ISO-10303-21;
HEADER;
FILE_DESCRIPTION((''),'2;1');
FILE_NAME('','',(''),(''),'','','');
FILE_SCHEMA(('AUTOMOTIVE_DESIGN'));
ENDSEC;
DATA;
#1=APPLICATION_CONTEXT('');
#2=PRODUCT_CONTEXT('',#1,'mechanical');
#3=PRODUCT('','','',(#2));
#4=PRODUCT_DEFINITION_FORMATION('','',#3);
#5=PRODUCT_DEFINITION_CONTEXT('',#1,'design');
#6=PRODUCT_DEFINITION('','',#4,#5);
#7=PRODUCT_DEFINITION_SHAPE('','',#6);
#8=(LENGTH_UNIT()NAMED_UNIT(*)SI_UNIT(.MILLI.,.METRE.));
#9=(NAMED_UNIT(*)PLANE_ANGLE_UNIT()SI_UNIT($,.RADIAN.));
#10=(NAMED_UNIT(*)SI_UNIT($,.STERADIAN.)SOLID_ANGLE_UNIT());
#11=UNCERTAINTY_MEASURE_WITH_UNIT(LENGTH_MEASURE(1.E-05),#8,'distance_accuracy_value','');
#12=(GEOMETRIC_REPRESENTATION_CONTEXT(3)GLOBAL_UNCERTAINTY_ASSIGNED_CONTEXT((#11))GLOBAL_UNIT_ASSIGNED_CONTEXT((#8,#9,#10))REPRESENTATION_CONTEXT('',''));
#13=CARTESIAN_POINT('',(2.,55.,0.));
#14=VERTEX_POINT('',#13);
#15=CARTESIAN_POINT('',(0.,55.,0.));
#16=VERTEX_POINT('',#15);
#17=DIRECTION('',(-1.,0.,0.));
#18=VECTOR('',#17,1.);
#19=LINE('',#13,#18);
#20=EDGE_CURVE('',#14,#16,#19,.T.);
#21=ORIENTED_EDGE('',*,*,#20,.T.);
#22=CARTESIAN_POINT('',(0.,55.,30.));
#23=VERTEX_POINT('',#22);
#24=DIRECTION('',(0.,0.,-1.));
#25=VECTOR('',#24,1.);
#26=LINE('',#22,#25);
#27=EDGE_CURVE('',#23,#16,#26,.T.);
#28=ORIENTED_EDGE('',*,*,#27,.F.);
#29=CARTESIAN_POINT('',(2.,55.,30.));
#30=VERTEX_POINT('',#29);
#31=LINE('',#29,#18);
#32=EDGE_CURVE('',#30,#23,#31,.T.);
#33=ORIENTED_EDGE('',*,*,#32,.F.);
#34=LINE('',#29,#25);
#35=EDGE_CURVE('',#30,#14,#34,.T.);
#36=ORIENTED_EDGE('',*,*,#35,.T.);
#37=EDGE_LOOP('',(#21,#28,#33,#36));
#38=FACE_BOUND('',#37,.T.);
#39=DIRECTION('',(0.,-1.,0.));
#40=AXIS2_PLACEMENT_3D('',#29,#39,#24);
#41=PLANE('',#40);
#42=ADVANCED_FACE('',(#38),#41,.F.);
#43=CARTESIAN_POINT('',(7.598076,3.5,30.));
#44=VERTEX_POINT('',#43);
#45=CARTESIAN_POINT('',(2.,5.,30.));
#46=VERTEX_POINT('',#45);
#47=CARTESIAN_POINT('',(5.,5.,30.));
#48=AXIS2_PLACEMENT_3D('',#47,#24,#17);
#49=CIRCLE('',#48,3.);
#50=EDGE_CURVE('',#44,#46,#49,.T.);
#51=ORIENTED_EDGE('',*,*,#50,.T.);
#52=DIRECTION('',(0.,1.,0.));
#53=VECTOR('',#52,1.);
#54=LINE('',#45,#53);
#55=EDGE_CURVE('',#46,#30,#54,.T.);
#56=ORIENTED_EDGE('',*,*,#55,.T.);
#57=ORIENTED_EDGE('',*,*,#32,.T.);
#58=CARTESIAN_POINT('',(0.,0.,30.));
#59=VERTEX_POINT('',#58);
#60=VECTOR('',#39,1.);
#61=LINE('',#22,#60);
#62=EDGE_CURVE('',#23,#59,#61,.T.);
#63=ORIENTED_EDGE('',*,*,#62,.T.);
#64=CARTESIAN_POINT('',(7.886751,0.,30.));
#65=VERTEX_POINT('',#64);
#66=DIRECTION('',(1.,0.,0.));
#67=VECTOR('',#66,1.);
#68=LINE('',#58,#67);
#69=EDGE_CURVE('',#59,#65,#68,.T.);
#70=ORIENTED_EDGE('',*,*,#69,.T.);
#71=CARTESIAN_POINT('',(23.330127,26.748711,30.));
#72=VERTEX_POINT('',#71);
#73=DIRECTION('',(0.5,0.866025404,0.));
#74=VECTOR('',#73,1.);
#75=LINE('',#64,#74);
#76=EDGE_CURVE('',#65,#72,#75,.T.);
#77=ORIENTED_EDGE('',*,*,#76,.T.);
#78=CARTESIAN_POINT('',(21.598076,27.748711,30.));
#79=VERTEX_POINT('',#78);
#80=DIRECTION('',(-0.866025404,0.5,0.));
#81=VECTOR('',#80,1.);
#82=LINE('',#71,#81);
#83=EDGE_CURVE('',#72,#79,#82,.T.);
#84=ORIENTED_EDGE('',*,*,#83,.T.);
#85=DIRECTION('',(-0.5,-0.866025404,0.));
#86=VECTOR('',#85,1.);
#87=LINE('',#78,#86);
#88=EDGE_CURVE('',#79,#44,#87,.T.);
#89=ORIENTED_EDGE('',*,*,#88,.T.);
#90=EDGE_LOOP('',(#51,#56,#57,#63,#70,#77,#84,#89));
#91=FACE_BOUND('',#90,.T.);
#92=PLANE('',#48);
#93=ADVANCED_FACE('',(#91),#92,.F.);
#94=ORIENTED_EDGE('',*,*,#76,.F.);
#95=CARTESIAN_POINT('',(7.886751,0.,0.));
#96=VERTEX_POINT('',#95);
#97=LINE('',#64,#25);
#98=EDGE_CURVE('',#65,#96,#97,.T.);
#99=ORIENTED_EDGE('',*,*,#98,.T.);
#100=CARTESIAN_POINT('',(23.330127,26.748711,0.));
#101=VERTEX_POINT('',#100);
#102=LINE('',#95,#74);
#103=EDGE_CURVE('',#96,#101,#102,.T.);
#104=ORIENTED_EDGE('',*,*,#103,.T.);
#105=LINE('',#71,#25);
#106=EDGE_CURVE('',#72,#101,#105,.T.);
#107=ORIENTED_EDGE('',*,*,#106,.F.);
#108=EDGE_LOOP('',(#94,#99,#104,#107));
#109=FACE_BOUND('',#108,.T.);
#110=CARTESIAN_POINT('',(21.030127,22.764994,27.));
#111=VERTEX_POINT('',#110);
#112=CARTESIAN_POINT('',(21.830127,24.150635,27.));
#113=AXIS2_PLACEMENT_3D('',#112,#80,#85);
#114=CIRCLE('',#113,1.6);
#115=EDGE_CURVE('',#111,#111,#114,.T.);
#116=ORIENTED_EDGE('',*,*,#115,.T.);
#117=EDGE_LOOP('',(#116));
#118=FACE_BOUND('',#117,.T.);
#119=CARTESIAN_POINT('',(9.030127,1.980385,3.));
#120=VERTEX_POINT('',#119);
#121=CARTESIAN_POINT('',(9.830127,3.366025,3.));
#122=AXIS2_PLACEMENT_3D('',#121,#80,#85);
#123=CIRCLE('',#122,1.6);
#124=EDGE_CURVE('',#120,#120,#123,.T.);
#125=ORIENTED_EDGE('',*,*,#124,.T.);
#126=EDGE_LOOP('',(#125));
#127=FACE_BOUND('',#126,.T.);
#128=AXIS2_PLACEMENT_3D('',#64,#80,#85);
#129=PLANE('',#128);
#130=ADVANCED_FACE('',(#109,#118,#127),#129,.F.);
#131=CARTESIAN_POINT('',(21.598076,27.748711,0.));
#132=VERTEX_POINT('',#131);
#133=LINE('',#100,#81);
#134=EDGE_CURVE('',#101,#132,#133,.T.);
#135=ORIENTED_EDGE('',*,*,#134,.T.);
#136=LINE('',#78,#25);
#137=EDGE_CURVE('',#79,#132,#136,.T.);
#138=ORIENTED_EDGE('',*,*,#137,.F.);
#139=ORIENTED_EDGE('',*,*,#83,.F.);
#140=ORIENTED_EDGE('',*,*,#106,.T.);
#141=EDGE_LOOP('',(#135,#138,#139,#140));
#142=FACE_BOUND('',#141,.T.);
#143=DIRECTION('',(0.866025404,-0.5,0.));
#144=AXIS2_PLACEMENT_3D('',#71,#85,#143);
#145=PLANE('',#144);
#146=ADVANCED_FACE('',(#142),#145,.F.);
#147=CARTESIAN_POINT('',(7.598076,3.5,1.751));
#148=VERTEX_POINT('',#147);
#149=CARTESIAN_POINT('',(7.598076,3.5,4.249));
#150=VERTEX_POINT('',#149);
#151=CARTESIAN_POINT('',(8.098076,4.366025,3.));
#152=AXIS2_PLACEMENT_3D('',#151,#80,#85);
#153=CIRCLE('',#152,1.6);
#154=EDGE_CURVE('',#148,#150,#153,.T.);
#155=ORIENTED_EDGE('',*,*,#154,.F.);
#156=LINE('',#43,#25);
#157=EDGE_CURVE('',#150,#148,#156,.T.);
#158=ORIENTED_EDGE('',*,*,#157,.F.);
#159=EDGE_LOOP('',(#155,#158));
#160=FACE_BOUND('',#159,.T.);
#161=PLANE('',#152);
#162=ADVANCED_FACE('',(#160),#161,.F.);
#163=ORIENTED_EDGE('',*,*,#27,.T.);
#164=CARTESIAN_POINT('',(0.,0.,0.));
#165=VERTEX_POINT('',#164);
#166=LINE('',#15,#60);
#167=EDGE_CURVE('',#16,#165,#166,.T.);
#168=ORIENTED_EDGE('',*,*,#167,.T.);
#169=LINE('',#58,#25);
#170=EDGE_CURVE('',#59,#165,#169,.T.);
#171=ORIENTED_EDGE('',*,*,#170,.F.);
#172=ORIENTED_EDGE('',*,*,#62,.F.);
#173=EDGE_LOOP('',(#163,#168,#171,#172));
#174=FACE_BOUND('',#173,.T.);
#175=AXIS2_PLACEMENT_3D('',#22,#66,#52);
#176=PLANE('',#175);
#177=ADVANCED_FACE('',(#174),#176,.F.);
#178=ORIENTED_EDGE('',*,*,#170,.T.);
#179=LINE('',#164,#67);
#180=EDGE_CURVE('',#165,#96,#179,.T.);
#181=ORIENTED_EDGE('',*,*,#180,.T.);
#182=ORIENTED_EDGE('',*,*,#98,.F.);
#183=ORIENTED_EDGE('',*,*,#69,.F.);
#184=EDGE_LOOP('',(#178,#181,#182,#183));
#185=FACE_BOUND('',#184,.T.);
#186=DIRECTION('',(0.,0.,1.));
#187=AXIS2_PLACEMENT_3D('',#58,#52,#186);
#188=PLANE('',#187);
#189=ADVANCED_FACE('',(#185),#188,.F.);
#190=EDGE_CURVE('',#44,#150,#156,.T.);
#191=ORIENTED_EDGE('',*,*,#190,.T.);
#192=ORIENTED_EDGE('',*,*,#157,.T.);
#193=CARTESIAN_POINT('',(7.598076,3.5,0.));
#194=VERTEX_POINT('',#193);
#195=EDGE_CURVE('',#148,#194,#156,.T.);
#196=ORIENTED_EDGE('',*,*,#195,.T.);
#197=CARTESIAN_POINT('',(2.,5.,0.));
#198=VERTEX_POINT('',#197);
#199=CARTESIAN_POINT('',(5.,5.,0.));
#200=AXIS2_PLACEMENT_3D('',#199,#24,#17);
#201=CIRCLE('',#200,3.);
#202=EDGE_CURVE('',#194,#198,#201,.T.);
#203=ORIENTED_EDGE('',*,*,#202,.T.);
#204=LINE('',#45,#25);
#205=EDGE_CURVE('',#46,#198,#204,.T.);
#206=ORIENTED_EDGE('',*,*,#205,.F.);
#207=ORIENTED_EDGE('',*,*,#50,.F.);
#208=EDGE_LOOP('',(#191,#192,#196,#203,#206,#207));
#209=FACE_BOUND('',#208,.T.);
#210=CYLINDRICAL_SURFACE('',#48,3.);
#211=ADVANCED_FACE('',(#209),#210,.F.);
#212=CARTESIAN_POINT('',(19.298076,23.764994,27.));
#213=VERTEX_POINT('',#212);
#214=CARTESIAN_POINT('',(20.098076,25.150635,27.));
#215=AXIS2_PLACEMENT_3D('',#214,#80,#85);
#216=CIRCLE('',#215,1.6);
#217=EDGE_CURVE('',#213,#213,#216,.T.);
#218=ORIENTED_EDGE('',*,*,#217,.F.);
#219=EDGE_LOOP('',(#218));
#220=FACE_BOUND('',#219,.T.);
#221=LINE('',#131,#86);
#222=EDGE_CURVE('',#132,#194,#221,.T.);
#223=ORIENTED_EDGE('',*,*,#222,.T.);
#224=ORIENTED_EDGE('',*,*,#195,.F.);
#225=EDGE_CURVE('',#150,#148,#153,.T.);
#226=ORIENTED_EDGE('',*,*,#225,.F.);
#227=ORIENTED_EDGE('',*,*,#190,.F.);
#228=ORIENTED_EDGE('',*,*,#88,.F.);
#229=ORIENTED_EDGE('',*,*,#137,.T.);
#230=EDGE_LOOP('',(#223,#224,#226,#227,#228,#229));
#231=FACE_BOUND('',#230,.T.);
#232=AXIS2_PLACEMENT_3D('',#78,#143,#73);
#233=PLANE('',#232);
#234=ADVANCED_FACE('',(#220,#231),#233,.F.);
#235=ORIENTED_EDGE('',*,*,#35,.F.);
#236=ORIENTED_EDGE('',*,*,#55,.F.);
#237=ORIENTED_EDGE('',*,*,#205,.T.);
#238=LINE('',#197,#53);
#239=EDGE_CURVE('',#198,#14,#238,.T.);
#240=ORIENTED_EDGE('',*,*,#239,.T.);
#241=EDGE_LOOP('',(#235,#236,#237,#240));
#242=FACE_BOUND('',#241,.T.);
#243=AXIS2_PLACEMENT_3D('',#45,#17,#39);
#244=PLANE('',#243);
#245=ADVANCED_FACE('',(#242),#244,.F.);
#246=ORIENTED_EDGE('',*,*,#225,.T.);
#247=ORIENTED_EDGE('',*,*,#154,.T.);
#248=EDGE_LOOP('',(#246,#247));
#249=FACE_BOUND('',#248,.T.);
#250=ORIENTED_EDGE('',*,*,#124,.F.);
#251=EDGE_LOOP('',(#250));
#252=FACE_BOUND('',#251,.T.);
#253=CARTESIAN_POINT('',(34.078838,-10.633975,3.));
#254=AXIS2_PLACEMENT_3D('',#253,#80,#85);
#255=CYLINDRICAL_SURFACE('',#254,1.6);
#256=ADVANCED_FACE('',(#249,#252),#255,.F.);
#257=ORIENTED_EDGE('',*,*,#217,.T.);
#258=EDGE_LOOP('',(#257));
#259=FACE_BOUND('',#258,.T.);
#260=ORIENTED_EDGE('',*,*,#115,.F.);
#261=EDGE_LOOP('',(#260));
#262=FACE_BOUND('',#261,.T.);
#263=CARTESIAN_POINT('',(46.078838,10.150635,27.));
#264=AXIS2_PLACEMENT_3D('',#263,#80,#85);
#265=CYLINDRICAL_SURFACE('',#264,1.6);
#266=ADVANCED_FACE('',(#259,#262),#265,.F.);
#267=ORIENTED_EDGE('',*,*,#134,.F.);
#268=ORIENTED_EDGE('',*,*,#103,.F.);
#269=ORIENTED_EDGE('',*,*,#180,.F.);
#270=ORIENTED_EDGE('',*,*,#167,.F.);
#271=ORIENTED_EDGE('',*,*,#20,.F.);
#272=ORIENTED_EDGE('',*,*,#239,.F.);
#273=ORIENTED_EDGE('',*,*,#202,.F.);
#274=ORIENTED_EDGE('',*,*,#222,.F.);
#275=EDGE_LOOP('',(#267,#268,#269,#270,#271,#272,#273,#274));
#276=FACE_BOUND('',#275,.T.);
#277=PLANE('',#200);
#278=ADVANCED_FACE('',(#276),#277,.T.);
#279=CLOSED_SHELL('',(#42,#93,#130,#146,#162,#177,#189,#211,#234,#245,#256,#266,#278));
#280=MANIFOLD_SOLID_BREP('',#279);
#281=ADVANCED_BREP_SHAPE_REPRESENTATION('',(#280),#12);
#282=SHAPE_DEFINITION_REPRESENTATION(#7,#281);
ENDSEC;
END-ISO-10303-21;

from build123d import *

# Parameters (mm, degrees)
RESSALTO_EXTRUS_O1_DEPTH = 30
ESBO_O2_R                = 1.6
CORTE_EXTRUS_O1_DEPTH    = 30


with BuildPart() as part:
    # Esboço1 → Ressalto-extrusão1 (new body)
    with BuildSketch(Plane.XY):
        with BuildLine():
            Line((0, 55), (0, 0))
            Line((0, 0), (7.886751346, 0))
            Line((7.886751346, 0), (23.330127019, 26.748711306))
            Line((23.330127019, 26.748711306), (21.598076211, 27.748711306))
            Line((21.598076211, 27.748711306), (7.598076211, 3.5))
            ThreePointArc((7.598076211, 3.5), (4.223542865, 2.102222521), (2, 5))
            Line((2, 5), (2, 55))
            Line((2, 55), (0, 55))
        make_face()
    extrude(amount=RESSALTO_EXTRUS_O1_DEPTH)

    # Esboço2 → Corte-extrusão1 (cut)
    with BuildSketch(Plane(origin=(4.183012702, -2.415063509, 0), x_dir=(0.5, 0.866025404, 0), z_dir=(-0.866025404, 0.5, 0))):
        with Locations((31.830127019, -27)):
            Circle(ESBO_O2_R)
        with Locations((7.830127019, -3)):
            Circle(ESBO_O2_R)
    extrude(amount=-CORTE_EXTRUS_O1_DEPTH, mode=Mode.SUBTRACT)


solid = part.part
